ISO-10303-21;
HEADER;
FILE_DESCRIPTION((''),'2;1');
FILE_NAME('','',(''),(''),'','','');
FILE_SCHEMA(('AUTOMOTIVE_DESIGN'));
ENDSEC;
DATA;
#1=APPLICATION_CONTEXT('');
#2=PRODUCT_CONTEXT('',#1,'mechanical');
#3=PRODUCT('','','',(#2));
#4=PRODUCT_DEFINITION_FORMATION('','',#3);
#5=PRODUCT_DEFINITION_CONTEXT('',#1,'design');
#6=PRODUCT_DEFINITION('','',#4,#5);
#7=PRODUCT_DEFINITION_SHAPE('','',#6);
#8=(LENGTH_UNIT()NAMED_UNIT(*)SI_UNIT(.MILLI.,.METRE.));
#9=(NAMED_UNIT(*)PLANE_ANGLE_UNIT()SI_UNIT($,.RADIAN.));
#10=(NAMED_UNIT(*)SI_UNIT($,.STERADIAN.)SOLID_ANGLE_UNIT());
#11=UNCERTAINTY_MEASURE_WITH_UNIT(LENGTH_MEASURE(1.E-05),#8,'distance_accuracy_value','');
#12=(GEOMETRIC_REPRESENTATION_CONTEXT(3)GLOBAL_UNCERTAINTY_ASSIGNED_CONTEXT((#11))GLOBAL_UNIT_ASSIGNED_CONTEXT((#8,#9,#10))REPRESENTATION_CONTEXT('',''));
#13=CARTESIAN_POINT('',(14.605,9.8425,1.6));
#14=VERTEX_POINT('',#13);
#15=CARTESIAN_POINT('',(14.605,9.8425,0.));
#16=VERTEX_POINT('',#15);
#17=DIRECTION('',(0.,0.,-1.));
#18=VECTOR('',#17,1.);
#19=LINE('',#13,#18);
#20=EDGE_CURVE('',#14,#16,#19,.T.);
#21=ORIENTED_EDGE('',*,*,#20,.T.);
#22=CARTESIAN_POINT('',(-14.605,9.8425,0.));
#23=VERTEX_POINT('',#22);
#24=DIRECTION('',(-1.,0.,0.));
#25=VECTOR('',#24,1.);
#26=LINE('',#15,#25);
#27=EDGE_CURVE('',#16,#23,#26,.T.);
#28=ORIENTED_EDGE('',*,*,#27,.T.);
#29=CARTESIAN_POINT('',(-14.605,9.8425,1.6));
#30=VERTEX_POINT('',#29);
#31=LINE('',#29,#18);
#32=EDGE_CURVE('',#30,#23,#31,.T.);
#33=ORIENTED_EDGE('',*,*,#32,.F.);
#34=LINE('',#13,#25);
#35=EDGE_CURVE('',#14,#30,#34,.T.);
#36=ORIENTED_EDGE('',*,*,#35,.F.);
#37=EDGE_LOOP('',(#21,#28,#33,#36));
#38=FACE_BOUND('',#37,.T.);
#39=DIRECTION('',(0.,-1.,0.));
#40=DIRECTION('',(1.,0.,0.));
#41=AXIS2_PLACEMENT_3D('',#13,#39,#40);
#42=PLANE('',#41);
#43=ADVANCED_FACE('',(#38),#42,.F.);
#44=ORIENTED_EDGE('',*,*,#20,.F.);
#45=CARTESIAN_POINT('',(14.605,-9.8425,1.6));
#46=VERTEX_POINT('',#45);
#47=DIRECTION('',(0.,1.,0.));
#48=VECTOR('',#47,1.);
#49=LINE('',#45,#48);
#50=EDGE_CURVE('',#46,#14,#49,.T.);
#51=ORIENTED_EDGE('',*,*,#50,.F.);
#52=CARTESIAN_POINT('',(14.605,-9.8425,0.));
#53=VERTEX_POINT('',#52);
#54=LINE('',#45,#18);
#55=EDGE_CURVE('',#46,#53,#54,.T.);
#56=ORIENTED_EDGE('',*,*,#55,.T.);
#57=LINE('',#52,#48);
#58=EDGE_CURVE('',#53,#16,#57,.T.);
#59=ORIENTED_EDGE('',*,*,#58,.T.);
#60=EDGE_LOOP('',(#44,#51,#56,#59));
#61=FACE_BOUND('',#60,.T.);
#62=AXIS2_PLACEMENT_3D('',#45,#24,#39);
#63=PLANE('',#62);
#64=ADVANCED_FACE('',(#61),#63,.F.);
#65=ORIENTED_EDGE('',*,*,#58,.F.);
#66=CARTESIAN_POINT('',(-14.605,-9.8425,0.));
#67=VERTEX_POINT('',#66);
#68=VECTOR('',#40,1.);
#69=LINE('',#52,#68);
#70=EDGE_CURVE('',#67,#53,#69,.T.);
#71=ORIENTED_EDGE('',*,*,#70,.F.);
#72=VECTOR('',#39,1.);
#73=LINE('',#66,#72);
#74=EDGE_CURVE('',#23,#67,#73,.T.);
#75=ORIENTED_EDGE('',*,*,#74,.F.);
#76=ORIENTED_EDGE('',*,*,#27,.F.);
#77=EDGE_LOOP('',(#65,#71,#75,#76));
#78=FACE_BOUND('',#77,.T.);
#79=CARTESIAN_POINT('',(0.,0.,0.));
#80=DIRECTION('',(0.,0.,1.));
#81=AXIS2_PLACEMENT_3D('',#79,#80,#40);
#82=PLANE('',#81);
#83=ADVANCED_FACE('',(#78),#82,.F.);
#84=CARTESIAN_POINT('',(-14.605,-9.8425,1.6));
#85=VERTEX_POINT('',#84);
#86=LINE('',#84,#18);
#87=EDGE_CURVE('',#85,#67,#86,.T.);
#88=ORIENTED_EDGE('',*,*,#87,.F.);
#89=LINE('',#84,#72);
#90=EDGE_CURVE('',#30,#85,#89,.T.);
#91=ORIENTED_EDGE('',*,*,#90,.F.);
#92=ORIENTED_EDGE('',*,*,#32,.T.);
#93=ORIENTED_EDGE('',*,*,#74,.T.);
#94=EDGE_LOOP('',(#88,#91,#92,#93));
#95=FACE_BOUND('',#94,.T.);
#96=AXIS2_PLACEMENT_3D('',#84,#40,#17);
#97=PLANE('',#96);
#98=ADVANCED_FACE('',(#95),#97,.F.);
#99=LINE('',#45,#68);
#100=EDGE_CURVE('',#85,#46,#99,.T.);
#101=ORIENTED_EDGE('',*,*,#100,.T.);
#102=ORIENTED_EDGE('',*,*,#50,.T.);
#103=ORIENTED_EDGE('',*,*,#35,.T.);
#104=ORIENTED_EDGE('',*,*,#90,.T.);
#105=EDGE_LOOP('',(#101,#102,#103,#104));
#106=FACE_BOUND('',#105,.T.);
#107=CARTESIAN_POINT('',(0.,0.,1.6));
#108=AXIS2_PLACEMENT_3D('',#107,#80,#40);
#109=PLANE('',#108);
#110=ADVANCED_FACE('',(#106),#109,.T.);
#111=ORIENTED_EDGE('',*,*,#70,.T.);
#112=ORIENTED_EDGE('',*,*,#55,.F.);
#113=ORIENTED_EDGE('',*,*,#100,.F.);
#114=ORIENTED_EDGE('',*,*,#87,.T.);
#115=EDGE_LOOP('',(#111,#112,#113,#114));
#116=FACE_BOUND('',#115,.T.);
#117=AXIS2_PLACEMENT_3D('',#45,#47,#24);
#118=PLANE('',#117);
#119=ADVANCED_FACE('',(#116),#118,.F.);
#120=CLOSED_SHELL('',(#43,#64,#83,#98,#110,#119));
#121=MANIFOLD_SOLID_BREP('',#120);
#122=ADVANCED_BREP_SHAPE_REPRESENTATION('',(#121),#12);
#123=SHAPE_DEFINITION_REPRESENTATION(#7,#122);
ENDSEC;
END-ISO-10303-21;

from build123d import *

# Parameters (mm, degrees)
SKETCH1_W           = 29.21
SKETCH1_H           = 19.685
BOSS_EXTRUDE1_DEPTH = 1.6


with BuildPart() as part:
    # Sketch1 → Boss-Extrude1 (new body)
    with BuildSketch(Plane.XY):
        Rectangle(SKETCH1_W, SKETCH1_H)
    extrude(amount=BOSS_EXTRUDE1_DEPTH)


solid = part.part
